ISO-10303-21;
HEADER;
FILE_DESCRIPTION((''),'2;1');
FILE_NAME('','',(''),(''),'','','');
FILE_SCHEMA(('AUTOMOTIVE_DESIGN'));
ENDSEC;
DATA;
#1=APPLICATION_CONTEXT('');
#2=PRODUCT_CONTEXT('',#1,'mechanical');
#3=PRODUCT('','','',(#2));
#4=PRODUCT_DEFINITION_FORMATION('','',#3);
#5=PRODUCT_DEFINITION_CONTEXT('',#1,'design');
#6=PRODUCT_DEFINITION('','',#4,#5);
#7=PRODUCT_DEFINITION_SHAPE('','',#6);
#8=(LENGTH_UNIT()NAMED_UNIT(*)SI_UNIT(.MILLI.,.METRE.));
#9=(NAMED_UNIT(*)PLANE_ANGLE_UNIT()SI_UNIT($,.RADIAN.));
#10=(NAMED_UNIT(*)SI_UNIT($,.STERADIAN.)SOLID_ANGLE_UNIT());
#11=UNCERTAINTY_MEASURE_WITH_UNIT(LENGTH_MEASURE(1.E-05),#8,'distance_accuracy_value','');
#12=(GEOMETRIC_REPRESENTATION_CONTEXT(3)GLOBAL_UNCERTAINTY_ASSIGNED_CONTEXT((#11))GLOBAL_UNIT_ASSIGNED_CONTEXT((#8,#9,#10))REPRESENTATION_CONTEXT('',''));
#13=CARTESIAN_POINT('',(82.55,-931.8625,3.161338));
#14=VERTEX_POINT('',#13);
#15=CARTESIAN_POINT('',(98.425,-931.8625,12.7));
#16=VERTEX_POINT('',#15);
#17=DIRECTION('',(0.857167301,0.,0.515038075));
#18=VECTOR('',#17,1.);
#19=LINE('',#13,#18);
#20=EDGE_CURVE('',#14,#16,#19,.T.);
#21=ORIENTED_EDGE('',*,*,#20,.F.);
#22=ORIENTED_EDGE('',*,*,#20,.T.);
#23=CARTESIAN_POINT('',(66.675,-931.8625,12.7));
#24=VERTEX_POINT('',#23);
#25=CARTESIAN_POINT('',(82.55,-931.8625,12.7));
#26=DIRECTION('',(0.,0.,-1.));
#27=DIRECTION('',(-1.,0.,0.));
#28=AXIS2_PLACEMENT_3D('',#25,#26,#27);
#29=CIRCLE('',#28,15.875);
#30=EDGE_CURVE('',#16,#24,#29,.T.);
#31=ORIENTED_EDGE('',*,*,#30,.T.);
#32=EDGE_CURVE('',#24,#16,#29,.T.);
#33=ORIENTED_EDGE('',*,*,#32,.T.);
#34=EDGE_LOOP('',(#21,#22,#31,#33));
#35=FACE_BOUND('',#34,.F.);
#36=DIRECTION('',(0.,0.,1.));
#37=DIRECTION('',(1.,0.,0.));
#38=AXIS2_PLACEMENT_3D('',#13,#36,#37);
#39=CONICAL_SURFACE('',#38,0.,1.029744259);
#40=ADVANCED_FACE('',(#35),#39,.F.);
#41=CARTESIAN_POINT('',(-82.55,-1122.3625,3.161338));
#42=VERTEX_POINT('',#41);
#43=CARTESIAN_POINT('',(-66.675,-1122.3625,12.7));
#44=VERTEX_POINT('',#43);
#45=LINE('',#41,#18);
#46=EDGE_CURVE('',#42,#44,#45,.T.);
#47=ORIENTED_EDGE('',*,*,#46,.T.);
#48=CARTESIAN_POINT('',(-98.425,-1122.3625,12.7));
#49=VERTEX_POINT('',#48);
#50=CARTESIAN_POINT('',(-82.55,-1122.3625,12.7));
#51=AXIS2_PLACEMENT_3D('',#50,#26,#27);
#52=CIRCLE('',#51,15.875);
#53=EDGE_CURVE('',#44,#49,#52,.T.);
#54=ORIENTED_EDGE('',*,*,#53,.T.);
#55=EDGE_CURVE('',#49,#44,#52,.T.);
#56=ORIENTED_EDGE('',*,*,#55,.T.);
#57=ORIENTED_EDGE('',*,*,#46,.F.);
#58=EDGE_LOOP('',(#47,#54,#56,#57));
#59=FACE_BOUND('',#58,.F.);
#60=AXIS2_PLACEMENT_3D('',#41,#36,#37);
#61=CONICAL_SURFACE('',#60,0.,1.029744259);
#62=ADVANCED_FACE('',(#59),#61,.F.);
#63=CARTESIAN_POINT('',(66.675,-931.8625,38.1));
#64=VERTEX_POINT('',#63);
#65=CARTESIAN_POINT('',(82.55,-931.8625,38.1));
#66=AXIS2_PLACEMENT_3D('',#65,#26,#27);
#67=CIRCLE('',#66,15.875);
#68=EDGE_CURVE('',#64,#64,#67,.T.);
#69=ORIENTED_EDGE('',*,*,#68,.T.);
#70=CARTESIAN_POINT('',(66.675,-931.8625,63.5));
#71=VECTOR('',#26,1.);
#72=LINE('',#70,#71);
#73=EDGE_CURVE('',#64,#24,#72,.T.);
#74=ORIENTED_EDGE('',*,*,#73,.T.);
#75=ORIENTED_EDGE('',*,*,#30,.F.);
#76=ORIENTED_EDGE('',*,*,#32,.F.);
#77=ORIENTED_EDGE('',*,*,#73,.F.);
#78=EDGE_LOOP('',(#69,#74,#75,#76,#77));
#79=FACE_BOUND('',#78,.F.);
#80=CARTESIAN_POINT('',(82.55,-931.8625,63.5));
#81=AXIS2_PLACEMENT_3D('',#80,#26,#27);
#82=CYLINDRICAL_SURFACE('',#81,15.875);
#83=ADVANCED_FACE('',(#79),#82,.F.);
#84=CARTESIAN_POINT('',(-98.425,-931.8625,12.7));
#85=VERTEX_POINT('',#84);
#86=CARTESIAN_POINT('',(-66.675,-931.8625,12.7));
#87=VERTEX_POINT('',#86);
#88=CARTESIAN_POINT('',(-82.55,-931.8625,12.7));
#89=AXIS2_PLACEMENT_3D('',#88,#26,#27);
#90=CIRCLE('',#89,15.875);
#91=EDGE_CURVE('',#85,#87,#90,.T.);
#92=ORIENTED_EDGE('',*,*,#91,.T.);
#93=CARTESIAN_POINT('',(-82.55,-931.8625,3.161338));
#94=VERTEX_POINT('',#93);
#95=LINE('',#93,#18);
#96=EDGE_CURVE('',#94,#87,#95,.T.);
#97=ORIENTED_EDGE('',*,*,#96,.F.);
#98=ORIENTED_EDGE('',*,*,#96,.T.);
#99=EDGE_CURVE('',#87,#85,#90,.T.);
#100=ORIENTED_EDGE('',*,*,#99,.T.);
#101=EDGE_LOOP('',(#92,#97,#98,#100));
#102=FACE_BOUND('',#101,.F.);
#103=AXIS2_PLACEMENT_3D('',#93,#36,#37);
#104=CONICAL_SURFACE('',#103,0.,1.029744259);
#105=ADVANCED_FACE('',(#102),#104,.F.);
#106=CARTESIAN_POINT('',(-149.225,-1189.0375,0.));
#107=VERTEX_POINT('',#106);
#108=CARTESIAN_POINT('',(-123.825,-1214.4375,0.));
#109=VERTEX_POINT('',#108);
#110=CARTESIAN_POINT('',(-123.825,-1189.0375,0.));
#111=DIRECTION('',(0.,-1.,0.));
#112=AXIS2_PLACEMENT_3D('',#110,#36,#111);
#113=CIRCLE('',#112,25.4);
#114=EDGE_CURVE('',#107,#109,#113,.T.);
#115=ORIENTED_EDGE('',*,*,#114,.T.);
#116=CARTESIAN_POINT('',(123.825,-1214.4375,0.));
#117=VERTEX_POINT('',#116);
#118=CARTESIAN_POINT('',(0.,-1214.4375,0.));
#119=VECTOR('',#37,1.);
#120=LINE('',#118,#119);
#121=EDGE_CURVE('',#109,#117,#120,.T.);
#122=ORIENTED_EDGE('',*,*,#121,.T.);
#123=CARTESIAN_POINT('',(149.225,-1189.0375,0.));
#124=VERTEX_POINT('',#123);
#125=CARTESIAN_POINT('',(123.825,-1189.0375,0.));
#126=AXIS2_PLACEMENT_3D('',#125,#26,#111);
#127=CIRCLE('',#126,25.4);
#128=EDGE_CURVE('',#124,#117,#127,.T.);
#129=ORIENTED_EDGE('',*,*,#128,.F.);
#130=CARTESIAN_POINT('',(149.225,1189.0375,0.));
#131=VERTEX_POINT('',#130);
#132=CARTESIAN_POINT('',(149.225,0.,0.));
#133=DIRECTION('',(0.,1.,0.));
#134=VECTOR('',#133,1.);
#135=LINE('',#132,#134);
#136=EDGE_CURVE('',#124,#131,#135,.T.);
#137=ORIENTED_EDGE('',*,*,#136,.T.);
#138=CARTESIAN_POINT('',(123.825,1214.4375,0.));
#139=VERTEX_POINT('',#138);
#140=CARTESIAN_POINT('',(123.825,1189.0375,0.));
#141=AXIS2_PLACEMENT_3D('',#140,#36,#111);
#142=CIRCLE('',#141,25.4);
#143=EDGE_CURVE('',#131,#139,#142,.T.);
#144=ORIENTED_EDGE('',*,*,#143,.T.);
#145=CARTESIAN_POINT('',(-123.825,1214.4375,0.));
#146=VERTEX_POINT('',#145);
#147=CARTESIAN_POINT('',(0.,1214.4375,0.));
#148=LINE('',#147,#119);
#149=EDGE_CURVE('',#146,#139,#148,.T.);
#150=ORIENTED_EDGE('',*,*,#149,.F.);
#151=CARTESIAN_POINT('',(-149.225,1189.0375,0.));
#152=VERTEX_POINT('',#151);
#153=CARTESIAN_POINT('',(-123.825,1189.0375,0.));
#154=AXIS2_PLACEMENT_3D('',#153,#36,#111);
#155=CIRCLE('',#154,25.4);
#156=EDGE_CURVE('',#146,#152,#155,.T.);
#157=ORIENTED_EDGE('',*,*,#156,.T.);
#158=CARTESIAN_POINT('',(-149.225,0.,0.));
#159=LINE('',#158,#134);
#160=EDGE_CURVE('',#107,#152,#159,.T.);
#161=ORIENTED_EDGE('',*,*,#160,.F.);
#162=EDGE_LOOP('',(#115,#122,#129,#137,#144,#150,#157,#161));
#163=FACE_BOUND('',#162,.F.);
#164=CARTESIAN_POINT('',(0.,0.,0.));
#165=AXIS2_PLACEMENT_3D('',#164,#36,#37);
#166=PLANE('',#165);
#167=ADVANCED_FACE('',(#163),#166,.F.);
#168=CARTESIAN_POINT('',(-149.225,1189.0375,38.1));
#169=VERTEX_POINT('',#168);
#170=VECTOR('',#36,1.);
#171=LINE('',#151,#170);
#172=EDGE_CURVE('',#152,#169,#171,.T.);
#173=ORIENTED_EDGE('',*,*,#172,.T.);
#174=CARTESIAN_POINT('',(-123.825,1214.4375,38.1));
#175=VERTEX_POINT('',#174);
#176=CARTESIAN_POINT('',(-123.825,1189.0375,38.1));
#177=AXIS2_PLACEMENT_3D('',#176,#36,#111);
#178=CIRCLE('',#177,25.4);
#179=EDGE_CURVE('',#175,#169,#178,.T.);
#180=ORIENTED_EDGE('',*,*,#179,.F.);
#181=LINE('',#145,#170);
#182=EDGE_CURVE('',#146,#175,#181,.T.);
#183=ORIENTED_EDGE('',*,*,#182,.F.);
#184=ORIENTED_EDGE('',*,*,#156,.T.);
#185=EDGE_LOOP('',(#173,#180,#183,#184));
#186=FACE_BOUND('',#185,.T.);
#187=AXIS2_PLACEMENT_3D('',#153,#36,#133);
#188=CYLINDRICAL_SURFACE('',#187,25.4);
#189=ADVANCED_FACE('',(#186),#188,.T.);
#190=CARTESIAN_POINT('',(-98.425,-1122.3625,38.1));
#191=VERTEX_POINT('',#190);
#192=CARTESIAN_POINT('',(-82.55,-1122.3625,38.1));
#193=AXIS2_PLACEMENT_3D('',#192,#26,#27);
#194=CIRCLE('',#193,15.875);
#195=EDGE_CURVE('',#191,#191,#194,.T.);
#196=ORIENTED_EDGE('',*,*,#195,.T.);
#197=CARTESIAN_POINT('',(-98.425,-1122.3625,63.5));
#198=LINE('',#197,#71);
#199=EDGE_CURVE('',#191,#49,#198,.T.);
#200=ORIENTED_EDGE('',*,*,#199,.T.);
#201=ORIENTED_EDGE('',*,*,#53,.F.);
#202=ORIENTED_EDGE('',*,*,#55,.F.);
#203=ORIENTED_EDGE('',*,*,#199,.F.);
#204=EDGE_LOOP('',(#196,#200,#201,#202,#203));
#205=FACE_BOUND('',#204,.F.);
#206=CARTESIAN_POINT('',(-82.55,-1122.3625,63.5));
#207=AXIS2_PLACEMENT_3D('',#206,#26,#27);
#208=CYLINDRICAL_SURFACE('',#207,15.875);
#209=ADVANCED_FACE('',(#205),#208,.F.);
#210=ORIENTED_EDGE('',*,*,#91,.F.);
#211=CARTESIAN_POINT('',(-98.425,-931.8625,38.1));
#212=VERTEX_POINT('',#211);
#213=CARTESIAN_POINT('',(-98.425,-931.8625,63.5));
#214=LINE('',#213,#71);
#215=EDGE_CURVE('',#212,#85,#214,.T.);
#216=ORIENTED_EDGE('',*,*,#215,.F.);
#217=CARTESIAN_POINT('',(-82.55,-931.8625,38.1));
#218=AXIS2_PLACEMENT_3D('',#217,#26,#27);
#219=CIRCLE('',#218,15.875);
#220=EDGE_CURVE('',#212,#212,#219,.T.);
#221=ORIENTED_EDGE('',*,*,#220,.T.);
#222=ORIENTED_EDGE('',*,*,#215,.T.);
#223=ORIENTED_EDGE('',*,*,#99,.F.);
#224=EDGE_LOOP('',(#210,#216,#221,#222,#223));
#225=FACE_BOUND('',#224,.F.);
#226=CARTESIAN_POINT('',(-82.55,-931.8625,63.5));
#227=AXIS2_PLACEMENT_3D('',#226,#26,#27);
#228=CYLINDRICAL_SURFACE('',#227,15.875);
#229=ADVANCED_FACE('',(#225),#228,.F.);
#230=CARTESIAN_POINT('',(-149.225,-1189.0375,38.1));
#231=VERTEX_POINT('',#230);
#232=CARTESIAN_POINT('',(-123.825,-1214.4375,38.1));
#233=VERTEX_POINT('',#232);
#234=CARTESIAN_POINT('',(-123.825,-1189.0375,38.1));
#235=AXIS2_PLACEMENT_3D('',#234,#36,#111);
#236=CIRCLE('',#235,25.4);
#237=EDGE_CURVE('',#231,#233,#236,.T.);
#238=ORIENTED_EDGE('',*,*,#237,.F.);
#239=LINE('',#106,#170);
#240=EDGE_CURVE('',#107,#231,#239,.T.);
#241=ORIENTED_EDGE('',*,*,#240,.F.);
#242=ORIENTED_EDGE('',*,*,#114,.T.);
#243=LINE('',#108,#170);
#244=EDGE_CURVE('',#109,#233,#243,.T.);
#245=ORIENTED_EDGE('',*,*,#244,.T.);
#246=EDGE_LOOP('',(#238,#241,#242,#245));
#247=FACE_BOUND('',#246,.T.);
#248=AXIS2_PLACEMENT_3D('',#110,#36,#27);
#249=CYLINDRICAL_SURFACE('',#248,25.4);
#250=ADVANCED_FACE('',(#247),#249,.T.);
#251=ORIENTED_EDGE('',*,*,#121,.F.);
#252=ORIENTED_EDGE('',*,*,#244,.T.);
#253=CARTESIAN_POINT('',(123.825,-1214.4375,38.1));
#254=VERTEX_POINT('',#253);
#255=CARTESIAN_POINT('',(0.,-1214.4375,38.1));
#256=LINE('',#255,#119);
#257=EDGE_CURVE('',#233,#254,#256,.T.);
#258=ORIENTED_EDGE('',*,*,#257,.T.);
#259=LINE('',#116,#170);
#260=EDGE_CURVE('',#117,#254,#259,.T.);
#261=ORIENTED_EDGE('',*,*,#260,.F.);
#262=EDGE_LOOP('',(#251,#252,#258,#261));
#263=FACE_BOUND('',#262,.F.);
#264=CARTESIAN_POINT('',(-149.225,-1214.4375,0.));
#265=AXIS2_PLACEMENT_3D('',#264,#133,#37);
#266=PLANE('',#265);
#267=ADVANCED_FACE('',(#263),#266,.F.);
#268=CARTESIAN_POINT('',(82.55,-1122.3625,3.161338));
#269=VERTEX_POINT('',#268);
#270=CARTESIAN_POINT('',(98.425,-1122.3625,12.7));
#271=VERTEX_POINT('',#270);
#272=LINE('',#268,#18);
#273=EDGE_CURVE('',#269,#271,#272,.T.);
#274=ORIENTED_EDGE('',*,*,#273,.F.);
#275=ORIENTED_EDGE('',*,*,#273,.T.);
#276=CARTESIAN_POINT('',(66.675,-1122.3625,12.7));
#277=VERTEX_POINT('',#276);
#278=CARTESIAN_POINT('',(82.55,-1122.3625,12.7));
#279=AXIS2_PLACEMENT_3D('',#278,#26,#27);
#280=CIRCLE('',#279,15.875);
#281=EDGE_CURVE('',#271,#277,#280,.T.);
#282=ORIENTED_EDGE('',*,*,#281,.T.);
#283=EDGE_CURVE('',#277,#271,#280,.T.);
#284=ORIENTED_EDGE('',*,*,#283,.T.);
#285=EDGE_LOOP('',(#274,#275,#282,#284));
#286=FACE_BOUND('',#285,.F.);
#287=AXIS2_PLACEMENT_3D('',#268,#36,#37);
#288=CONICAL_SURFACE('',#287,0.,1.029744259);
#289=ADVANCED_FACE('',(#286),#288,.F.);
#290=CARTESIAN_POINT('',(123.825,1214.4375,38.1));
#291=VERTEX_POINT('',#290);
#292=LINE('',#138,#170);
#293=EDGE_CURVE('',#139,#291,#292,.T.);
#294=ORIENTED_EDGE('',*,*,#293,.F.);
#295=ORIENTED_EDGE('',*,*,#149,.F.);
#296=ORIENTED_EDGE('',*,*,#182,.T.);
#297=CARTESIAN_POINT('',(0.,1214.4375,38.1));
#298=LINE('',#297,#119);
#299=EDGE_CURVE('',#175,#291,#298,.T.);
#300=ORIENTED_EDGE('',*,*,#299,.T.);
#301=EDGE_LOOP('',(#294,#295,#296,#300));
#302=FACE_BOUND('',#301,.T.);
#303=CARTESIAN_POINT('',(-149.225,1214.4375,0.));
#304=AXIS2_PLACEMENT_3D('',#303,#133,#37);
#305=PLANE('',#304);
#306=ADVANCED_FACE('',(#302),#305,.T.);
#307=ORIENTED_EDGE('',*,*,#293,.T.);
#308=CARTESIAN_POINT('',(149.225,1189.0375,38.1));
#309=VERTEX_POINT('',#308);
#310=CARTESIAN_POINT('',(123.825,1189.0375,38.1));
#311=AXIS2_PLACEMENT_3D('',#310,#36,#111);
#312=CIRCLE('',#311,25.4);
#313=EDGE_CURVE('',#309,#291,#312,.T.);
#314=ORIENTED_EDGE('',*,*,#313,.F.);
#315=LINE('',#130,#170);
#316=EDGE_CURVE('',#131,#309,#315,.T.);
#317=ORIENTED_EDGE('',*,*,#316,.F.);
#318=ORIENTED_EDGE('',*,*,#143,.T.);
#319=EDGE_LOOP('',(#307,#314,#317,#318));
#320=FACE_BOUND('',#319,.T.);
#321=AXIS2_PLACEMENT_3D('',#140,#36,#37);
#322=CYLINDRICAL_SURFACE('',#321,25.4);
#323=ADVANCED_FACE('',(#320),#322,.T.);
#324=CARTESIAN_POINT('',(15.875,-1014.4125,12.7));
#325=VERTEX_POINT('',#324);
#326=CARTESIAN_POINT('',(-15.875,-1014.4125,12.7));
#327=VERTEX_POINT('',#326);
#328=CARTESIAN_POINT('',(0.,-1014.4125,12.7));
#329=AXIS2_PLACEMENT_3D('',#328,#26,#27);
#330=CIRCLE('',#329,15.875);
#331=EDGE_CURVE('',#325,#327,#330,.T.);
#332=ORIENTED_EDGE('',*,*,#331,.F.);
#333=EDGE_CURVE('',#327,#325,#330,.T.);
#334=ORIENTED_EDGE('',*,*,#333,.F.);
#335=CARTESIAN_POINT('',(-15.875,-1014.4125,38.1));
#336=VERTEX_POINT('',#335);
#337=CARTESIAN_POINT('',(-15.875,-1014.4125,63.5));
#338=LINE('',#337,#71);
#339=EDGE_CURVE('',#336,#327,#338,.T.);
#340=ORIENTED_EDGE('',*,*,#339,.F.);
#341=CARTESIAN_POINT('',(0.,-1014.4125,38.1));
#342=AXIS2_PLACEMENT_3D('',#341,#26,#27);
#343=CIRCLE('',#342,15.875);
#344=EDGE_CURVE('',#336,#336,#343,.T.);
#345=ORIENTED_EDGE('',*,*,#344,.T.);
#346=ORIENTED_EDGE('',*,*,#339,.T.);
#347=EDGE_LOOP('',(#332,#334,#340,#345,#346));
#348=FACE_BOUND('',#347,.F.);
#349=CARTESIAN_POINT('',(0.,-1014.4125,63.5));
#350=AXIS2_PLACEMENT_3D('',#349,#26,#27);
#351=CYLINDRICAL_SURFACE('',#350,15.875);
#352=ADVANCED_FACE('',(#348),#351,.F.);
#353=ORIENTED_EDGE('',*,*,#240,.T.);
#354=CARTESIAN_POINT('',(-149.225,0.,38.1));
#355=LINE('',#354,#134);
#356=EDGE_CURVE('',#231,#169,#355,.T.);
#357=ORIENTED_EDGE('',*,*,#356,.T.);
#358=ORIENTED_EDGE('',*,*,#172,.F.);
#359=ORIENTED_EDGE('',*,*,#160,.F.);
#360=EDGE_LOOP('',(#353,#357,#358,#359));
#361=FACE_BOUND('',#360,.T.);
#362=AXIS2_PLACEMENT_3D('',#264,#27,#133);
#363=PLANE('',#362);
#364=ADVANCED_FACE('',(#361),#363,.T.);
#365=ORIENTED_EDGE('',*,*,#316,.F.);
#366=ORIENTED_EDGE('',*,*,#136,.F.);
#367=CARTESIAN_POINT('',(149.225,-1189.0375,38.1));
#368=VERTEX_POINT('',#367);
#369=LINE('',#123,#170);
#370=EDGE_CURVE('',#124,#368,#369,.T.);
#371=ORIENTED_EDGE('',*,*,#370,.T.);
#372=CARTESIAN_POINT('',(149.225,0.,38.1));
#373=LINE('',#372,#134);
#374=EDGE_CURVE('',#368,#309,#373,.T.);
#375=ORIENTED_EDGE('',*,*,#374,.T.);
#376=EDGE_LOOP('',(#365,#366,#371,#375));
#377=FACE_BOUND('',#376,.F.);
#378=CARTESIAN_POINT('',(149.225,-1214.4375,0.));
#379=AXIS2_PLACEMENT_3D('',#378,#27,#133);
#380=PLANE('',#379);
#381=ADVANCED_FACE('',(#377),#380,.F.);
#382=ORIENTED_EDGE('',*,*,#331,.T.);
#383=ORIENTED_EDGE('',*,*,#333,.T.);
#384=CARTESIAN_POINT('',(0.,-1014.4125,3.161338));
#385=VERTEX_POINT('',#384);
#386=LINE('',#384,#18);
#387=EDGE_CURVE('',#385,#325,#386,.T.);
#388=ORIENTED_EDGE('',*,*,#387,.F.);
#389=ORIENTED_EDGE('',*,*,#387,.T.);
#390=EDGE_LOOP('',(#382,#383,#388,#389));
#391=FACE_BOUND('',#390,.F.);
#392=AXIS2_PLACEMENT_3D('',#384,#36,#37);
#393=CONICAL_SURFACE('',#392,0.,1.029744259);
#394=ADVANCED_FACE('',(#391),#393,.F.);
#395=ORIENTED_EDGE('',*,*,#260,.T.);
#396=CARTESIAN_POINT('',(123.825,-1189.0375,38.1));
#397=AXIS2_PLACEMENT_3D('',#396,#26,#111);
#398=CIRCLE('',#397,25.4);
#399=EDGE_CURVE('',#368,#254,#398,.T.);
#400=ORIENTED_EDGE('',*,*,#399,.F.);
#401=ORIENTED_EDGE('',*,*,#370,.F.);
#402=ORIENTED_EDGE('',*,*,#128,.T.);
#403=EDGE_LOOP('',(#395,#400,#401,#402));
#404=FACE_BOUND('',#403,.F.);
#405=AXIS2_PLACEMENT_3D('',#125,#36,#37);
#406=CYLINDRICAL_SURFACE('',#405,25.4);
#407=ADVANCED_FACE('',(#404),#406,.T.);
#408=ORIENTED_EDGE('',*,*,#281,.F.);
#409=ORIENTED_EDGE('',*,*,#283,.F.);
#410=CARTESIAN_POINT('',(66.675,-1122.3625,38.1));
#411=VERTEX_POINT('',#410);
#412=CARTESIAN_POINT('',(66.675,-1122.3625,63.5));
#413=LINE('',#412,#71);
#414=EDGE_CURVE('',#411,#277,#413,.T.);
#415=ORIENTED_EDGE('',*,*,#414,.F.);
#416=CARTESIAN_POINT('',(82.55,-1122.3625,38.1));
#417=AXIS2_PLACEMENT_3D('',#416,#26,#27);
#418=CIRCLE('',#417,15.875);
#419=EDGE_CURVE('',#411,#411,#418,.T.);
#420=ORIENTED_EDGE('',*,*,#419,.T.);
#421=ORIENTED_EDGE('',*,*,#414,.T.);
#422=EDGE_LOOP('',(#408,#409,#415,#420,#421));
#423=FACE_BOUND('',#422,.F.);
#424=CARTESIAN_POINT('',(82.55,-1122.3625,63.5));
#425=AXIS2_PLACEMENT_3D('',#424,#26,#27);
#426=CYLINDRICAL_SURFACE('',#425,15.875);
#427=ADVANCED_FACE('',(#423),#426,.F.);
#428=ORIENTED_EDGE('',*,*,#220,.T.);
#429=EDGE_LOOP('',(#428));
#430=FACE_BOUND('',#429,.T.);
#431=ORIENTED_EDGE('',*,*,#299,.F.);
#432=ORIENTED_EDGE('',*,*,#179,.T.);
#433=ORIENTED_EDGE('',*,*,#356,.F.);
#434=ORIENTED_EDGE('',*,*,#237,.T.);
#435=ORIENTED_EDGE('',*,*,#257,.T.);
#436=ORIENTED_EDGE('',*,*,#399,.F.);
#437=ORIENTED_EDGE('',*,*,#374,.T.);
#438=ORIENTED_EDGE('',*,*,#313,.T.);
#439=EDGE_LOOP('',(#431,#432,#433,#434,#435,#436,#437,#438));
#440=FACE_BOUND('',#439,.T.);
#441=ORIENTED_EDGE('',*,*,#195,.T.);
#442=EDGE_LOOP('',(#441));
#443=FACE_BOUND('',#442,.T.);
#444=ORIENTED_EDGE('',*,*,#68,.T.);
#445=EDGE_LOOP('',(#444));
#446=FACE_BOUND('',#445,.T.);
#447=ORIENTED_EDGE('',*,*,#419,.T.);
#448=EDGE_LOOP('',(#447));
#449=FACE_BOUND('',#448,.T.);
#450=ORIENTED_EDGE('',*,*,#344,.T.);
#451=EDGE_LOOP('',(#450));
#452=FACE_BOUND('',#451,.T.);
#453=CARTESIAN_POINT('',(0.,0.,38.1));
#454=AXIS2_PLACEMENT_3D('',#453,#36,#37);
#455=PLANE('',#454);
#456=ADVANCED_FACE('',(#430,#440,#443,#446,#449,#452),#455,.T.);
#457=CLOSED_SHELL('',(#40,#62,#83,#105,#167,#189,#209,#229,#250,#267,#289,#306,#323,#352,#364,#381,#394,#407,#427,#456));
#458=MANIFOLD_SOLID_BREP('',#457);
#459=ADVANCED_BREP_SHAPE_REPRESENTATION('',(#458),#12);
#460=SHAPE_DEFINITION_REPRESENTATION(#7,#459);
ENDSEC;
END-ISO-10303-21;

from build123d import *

# Parameters (mm, degrees)
F0_W     = 298.45
F0_H     = 2428.875
F1_DEPTH = 38.1
F2_R     = 25.4
F3_R     = 25.4
F4_R     = 25.4
F6_D     = 31.75
F6_DEPTH = 25.4
F6_TIP   = 9.5386623271


with BuildPart() as f1:
    # F0 (on Top) → F1 (new body)
    with BuildSketch(Plane.XY):
        Rectangle(F0_W, F0_H)
    extrude(amount=F1_DEPTH)

    # F2
    f2_edges = [f1.edges().sort_by_distance(p)[0] for p in [
        (149.225, 1214.4375, 19.05),
    ]]
    fillet(f2_edges, radius=F2_R)

    # F3
    f3_edges = [f1.edges().sort_by_distance(p)[0] for p in [
        (-149.225, 1214.4375, 19.05),
    ]]
    fillet(f3_edges, radius=F3_R)

    # F4
    f4_edges = [f1.edges().sort_by_distance(p)[0] for p in [
        (-149.225, -1214.4375, 19.05),
        (149.225, -1214.4375, 19.05),
    ]]
    fillet(f4_edges, radius=F4_R)

    # F6
    with Locations(Plane.XY.offset(38.1)):
        with Locations((-82.55, -1122.3625), (82.55, -1122.3625), (0, -1014.4125), (82.55, -931.8625), (-82.55, -931.8625)):
            Hole(F6_D / 2, depth=F6_DEPTH)
            with Locations((0, 0, -(F6_DEPTH + F6_TIP / 2))):  # 118° drill point
                Cone(0, F6_D / 2, F6_TIP, mode=Mode.SUBTRACT)


solid = f1.part
